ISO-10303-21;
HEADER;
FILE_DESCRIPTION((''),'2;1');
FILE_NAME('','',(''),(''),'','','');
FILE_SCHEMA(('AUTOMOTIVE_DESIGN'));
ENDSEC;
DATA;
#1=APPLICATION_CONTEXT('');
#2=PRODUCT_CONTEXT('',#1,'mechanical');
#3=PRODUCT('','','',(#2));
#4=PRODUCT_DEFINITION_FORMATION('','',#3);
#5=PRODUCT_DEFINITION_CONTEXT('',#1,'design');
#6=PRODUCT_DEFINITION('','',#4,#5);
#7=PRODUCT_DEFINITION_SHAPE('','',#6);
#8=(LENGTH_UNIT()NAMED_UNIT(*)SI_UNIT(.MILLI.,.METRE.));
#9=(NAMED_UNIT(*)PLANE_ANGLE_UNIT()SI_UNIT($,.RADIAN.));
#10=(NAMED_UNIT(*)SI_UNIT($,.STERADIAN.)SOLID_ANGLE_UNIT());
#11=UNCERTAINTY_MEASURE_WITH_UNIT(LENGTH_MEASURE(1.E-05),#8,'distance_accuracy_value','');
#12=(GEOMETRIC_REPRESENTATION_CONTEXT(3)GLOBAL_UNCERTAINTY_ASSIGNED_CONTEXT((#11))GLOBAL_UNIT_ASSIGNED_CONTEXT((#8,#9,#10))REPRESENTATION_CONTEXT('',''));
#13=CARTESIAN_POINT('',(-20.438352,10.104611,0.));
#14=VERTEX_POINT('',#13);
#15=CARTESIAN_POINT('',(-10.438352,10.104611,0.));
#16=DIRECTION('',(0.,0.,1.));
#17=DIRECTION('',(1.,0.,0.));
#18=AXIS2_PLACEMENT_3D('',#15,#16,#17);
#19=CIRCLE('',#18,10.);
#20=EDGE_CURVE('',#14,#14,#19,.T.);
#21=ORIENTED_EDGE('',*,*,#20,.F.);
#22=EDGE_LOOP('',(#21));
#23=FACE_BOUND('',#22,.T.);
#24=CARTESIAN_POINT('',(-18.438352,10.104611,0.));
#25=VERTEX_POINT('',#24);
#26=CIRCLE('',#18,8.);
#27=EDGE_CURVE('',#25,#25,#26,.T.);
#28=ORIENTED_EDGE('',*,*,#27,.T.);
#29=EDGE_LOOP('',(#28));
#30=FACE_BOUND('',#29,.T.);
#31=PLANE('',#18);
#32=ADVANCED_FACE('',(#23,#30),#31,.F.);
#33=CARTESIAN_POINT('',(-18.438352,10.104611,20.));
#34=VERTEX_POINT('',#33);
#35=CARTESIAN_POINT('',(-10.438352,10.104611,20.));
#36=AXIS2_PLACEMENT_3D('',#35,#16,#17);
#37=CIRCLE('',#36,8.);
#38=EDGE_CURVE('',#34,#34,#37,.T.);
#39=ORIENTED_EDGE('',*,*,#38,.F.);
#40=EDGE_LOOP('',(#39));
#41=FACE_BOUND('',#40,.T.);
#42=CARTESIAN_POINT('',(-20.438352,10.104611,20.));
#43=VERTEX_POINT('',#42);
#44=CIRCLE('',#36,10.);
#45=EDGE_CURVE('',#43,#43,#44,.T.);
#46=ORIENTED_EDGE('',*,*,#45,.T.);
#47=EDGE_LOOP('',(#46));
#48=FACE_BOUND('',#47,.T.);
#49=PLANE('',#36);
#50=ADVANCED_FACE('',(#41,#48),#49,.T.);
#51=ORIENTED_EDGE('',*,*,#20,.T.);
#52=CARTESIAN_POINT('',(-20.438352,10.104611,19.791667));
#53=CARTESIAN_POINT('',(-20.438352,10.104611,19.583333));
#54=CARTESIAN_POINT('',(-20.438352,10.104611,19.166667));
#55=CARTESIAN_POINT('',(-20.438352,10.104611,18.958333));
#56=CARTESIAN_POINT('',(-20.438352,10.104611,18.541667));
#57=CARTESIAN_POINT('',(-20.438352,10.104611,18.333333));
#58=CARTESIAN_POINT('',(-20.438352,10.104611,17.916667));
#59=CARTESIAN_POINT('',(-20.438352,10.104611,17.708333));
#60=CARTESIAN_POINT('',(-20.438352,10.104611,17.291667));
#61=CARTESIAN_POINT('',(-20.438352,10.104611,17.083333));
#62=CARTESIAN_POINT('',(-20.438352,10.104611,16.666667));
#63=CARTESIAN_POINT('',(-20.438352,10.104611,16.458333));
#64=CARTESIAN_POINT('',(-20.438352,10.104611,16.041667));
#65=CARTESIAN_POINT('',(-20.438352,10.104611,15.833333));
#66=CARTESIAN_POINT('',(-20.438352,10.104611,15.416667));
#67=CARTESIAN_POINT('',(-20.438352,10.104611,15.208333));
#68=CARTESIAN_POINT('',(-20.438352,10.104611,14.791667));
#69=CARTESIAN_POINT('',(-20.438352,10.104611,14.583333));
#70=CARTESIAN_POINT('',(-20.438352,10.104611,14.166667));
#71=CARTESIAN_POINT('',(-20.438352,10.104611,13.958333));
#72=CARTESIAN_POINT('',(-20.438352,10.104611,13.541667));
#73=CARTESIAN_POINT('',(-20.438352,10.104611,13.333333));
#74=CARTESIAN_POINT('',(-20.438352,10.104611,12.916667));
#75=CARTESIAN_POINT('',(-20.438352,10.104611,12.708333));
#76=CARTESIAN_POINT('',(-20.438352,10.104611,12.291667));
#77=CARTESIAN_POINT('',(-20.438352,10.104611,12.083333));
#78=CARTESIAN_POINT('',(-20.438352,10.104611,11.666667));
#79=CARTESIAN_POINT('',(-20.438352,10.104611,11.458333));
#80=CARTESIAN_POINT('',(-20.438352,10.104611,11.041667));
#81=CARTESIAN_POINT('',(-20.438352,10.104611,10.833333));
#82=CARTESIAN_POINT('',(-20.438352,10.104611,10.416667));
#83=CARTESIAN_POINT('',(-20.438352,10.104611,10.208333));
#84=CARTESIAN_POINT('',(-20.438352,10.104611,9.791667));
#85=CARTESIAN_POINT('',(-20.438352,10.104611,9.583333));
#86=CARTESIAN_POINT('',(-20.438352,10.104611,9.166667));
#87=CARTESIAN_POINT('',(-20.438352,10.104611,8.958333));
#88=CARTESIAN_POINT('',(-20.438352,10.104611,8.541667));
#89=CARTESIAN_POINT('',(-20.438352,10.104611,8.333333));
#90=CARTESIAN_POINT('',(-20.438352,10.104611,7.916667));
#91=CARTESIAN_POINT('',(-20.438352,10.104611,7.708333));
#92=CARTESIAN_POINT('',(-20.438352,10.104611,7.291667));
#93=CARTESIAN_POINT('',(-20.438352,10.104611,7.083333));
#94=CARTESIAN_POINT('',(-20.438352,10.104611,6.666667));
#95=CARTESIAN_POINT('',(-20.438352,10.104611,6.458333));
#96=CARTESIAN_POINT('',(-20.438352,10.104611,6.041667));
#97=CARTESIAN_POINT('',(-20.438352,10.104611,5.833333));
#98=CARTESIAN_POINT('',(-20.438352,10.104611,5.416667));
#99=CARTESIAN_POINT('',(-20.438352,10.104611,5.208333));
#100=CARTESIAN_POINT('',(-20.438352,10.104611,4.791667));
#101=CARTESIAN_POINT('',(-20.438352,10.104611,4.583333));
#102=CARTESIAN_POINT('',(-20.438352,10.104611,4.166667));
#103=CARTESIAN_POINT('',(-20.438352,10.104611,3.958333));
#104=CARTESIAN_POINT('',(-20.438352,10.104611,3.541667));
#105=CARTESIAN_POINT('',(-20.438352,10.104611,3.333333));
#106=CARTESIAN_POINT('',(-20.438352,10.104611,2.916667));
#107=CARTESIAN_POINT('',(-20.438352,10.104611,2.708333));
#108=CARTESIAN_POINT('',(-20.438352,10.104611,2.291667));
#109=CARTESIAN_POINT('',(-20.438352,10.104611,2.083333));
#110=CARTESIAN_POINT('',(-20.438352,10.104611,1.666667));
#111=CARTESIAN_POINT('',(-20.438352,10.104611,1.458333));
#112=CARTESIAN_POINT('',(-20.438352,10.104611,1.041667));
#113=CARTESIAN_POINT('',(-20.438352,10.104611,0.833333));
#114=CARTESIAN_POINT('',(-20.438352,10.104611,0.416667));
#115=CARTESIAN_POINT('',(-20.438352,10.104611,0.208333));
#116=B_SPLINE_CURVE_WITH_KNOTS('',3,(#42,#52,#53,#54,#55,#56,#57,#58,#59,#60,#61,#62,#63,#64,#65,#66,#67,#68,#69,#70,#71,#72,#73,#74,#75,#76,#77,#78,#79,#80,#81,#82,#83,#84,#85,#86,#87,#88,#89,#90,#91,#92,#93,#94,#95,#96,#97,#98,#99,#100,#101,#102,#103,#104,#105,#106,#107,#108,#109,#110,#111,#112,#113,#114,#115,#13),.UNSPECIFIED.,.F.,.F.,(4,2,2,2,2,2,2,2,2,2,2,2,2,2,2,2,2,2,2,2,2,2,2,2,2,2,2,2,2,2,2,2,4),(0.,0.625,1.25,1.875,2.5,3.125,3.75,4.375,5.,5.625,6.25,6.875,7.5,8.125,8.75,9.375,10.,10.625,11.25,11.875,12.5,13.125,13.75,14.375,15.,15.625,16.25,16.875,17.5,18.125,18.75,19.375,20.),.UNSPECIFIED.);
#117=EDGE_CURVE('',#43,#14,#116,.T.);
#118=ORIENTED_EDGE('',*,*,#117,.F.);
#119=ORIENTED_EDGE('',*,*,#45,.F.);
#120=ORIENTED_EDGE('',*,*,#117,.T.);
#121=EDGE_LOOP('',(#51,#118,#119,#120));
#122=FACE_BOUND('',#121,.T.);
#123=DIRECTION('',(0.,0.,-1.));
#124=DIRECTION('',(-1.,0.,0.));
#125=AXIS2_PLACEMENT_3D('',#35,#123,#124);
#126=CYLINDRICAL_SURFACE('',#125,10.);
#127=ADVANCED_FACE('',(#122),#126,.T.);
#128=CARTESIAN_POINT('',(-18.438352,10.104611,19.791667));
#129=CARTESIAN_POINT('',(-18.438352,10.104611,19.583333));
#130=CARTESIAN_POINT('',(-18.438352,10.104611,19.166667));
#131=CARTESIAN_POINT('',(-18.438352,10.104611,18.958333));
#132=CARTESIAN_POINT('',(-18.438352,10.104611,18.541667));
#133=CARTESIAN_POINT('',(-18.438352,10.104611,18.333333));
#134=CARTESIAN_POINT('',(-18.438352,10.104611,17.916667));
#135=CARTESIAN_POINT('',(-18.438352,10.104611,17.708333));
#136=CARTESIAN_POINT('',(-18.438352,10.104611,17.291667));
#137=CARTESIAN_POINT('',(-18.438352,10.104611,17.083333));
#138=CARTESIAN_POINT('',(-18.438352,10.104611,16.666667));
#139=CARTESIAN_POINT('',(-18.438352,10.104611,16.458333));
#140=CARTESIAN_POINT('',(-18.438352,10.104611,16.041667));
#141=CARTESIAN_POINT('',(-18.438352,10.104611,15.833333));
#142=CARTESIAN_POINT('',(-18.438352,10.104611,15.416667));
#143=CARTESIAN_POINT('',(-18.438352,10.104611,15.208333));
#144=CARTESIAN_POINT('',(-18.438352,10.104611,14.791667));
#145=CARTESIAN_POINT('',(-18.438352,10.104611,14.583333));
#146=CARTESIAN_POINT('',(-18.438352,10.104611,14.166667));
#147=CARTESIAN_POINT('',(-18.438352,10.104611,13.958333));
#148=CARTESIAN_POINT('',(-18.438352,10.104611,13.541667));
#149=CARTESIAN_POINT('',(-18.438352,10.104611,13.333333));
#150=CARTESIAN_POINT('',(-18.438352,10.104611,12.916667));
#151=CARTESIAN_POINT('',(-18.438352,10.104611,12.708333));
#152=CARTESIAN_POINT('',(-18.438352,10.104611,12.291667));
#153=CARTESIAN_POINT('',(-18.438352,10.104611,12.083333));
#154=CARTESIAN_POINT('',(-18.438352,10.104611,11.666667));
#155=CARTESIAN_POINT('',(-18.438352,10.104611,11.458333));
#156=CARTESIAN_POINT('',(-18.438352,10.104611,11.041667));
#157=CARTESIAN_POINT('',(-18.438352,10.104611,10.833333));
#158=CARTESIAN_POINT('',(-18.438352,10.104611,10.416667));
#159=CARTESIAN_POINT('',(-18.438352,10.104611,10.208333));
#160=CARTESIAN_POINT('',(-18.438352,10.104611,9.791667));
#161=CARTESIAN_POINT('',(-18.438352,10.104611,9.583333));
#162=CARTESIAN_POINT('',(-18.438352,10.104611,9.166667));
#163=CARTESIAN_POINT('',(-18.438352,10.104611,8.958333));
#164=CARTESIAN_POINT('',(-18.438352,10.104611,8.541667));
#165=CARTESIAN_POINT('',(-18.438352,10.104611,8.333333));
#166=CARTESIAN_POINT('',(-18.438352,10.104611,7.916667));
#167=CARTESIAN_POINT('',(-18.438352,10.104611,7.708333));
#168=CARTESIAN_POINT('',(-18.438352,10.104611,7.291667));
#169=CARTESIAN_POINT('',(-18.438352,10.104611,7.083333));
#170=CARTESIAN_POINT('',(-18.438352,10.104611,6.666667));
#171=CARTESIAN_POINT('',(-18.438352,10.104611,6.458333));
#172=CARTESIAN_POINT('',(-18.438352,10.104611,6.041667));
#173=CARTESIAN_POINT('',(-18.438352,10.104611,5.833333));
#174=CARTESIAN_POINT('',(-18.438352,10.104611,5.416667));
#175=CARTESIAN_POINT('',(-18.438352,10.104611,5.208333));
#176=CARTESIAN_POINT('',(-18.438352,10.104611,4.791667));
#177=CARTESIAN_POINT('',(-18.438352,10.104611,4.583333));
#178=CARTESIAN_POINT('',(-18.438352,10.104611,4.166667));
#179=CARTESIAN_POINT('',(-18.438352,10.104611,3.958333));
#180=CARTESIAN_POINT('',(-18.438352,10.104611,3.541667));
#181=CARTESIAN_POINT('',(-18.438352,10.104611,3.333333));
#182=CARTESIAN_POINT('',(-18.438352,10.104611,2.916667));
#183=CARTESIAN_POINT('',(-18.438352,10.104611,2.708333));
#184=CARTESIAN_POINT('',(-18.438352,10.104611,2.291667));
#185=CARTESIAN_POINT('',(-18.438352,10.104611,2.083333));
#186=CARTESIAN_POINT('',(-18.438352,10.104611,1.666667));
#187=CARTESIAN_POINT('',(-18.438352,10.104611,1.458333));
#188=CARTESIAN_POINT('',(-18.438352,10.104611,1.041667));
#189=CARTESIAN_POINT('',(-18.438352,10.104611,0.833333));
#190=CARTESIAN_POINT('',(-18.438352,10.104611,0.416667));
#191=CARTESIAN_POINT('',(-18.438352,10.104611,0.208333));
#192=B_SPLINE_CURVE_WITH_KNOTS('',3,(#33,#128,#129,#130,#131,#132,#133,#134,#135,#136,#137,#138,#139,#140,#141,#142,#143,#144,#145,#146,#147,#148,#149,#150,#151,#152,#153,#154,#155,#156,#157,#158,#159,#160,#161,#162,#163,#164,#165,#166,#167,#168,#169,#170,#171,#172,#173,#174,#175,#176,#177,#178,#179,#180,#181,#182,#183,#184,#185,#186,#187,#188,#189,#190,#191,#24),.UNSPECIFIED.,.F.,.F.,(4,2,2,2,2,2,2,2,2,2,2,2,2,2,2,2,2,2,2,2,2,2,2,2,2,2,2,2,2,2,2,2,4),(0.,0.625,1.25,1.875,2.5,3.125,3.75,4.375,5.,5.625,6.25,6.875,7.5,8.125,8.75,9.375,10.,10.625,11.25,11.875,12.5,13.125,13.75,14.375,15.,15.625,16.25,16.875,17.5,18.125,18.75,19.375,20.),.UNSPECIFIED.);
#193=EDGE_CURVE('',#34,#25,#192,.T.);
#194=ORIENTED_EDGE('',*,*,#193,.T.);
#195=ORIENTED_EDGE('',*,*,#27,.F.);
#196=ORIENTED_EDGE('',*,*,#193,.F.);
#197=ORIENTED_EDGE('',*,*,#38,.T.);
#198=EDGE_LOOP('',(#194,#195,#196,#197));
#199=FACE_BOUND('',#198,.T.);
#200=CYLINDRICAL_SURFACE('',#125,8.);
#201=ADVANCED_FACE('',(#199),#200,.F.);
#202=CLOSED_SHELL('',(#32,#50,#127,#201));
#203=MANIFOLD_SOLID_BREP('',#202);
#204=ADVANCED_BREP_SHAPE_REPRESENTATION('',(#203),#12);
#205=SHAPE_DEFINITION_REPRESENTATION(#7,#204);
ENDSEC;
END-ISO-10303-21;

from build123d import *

# Parameters (mm, degrees)
IZIM1_R                     = 10
IZIM1_R_2                   = 8
Y_KSEKLIK_EKSTR_ZYON1_DEPTH = 20


with BuildPart() as part:
    # Çizim1 → Yükseklik-Ekstrüzyon1 (new body)
    with BuildSketch(Plane.XY):
        with Locations(Location((-10.438351937, 10.104610699, 0), (0, 0, 180))):
            Circle(IZIM1_R)
        with Locations(Location((-10.438351937, 10.104610699, 0), (0, 0, 180))):
            Circle(IZIM1_R_2, mode=Mode.SUBTRACT)
    extrude(amount=Y_KSEKLIK_EKSTR_ZYON1_DEPTH)


solid = part.part
